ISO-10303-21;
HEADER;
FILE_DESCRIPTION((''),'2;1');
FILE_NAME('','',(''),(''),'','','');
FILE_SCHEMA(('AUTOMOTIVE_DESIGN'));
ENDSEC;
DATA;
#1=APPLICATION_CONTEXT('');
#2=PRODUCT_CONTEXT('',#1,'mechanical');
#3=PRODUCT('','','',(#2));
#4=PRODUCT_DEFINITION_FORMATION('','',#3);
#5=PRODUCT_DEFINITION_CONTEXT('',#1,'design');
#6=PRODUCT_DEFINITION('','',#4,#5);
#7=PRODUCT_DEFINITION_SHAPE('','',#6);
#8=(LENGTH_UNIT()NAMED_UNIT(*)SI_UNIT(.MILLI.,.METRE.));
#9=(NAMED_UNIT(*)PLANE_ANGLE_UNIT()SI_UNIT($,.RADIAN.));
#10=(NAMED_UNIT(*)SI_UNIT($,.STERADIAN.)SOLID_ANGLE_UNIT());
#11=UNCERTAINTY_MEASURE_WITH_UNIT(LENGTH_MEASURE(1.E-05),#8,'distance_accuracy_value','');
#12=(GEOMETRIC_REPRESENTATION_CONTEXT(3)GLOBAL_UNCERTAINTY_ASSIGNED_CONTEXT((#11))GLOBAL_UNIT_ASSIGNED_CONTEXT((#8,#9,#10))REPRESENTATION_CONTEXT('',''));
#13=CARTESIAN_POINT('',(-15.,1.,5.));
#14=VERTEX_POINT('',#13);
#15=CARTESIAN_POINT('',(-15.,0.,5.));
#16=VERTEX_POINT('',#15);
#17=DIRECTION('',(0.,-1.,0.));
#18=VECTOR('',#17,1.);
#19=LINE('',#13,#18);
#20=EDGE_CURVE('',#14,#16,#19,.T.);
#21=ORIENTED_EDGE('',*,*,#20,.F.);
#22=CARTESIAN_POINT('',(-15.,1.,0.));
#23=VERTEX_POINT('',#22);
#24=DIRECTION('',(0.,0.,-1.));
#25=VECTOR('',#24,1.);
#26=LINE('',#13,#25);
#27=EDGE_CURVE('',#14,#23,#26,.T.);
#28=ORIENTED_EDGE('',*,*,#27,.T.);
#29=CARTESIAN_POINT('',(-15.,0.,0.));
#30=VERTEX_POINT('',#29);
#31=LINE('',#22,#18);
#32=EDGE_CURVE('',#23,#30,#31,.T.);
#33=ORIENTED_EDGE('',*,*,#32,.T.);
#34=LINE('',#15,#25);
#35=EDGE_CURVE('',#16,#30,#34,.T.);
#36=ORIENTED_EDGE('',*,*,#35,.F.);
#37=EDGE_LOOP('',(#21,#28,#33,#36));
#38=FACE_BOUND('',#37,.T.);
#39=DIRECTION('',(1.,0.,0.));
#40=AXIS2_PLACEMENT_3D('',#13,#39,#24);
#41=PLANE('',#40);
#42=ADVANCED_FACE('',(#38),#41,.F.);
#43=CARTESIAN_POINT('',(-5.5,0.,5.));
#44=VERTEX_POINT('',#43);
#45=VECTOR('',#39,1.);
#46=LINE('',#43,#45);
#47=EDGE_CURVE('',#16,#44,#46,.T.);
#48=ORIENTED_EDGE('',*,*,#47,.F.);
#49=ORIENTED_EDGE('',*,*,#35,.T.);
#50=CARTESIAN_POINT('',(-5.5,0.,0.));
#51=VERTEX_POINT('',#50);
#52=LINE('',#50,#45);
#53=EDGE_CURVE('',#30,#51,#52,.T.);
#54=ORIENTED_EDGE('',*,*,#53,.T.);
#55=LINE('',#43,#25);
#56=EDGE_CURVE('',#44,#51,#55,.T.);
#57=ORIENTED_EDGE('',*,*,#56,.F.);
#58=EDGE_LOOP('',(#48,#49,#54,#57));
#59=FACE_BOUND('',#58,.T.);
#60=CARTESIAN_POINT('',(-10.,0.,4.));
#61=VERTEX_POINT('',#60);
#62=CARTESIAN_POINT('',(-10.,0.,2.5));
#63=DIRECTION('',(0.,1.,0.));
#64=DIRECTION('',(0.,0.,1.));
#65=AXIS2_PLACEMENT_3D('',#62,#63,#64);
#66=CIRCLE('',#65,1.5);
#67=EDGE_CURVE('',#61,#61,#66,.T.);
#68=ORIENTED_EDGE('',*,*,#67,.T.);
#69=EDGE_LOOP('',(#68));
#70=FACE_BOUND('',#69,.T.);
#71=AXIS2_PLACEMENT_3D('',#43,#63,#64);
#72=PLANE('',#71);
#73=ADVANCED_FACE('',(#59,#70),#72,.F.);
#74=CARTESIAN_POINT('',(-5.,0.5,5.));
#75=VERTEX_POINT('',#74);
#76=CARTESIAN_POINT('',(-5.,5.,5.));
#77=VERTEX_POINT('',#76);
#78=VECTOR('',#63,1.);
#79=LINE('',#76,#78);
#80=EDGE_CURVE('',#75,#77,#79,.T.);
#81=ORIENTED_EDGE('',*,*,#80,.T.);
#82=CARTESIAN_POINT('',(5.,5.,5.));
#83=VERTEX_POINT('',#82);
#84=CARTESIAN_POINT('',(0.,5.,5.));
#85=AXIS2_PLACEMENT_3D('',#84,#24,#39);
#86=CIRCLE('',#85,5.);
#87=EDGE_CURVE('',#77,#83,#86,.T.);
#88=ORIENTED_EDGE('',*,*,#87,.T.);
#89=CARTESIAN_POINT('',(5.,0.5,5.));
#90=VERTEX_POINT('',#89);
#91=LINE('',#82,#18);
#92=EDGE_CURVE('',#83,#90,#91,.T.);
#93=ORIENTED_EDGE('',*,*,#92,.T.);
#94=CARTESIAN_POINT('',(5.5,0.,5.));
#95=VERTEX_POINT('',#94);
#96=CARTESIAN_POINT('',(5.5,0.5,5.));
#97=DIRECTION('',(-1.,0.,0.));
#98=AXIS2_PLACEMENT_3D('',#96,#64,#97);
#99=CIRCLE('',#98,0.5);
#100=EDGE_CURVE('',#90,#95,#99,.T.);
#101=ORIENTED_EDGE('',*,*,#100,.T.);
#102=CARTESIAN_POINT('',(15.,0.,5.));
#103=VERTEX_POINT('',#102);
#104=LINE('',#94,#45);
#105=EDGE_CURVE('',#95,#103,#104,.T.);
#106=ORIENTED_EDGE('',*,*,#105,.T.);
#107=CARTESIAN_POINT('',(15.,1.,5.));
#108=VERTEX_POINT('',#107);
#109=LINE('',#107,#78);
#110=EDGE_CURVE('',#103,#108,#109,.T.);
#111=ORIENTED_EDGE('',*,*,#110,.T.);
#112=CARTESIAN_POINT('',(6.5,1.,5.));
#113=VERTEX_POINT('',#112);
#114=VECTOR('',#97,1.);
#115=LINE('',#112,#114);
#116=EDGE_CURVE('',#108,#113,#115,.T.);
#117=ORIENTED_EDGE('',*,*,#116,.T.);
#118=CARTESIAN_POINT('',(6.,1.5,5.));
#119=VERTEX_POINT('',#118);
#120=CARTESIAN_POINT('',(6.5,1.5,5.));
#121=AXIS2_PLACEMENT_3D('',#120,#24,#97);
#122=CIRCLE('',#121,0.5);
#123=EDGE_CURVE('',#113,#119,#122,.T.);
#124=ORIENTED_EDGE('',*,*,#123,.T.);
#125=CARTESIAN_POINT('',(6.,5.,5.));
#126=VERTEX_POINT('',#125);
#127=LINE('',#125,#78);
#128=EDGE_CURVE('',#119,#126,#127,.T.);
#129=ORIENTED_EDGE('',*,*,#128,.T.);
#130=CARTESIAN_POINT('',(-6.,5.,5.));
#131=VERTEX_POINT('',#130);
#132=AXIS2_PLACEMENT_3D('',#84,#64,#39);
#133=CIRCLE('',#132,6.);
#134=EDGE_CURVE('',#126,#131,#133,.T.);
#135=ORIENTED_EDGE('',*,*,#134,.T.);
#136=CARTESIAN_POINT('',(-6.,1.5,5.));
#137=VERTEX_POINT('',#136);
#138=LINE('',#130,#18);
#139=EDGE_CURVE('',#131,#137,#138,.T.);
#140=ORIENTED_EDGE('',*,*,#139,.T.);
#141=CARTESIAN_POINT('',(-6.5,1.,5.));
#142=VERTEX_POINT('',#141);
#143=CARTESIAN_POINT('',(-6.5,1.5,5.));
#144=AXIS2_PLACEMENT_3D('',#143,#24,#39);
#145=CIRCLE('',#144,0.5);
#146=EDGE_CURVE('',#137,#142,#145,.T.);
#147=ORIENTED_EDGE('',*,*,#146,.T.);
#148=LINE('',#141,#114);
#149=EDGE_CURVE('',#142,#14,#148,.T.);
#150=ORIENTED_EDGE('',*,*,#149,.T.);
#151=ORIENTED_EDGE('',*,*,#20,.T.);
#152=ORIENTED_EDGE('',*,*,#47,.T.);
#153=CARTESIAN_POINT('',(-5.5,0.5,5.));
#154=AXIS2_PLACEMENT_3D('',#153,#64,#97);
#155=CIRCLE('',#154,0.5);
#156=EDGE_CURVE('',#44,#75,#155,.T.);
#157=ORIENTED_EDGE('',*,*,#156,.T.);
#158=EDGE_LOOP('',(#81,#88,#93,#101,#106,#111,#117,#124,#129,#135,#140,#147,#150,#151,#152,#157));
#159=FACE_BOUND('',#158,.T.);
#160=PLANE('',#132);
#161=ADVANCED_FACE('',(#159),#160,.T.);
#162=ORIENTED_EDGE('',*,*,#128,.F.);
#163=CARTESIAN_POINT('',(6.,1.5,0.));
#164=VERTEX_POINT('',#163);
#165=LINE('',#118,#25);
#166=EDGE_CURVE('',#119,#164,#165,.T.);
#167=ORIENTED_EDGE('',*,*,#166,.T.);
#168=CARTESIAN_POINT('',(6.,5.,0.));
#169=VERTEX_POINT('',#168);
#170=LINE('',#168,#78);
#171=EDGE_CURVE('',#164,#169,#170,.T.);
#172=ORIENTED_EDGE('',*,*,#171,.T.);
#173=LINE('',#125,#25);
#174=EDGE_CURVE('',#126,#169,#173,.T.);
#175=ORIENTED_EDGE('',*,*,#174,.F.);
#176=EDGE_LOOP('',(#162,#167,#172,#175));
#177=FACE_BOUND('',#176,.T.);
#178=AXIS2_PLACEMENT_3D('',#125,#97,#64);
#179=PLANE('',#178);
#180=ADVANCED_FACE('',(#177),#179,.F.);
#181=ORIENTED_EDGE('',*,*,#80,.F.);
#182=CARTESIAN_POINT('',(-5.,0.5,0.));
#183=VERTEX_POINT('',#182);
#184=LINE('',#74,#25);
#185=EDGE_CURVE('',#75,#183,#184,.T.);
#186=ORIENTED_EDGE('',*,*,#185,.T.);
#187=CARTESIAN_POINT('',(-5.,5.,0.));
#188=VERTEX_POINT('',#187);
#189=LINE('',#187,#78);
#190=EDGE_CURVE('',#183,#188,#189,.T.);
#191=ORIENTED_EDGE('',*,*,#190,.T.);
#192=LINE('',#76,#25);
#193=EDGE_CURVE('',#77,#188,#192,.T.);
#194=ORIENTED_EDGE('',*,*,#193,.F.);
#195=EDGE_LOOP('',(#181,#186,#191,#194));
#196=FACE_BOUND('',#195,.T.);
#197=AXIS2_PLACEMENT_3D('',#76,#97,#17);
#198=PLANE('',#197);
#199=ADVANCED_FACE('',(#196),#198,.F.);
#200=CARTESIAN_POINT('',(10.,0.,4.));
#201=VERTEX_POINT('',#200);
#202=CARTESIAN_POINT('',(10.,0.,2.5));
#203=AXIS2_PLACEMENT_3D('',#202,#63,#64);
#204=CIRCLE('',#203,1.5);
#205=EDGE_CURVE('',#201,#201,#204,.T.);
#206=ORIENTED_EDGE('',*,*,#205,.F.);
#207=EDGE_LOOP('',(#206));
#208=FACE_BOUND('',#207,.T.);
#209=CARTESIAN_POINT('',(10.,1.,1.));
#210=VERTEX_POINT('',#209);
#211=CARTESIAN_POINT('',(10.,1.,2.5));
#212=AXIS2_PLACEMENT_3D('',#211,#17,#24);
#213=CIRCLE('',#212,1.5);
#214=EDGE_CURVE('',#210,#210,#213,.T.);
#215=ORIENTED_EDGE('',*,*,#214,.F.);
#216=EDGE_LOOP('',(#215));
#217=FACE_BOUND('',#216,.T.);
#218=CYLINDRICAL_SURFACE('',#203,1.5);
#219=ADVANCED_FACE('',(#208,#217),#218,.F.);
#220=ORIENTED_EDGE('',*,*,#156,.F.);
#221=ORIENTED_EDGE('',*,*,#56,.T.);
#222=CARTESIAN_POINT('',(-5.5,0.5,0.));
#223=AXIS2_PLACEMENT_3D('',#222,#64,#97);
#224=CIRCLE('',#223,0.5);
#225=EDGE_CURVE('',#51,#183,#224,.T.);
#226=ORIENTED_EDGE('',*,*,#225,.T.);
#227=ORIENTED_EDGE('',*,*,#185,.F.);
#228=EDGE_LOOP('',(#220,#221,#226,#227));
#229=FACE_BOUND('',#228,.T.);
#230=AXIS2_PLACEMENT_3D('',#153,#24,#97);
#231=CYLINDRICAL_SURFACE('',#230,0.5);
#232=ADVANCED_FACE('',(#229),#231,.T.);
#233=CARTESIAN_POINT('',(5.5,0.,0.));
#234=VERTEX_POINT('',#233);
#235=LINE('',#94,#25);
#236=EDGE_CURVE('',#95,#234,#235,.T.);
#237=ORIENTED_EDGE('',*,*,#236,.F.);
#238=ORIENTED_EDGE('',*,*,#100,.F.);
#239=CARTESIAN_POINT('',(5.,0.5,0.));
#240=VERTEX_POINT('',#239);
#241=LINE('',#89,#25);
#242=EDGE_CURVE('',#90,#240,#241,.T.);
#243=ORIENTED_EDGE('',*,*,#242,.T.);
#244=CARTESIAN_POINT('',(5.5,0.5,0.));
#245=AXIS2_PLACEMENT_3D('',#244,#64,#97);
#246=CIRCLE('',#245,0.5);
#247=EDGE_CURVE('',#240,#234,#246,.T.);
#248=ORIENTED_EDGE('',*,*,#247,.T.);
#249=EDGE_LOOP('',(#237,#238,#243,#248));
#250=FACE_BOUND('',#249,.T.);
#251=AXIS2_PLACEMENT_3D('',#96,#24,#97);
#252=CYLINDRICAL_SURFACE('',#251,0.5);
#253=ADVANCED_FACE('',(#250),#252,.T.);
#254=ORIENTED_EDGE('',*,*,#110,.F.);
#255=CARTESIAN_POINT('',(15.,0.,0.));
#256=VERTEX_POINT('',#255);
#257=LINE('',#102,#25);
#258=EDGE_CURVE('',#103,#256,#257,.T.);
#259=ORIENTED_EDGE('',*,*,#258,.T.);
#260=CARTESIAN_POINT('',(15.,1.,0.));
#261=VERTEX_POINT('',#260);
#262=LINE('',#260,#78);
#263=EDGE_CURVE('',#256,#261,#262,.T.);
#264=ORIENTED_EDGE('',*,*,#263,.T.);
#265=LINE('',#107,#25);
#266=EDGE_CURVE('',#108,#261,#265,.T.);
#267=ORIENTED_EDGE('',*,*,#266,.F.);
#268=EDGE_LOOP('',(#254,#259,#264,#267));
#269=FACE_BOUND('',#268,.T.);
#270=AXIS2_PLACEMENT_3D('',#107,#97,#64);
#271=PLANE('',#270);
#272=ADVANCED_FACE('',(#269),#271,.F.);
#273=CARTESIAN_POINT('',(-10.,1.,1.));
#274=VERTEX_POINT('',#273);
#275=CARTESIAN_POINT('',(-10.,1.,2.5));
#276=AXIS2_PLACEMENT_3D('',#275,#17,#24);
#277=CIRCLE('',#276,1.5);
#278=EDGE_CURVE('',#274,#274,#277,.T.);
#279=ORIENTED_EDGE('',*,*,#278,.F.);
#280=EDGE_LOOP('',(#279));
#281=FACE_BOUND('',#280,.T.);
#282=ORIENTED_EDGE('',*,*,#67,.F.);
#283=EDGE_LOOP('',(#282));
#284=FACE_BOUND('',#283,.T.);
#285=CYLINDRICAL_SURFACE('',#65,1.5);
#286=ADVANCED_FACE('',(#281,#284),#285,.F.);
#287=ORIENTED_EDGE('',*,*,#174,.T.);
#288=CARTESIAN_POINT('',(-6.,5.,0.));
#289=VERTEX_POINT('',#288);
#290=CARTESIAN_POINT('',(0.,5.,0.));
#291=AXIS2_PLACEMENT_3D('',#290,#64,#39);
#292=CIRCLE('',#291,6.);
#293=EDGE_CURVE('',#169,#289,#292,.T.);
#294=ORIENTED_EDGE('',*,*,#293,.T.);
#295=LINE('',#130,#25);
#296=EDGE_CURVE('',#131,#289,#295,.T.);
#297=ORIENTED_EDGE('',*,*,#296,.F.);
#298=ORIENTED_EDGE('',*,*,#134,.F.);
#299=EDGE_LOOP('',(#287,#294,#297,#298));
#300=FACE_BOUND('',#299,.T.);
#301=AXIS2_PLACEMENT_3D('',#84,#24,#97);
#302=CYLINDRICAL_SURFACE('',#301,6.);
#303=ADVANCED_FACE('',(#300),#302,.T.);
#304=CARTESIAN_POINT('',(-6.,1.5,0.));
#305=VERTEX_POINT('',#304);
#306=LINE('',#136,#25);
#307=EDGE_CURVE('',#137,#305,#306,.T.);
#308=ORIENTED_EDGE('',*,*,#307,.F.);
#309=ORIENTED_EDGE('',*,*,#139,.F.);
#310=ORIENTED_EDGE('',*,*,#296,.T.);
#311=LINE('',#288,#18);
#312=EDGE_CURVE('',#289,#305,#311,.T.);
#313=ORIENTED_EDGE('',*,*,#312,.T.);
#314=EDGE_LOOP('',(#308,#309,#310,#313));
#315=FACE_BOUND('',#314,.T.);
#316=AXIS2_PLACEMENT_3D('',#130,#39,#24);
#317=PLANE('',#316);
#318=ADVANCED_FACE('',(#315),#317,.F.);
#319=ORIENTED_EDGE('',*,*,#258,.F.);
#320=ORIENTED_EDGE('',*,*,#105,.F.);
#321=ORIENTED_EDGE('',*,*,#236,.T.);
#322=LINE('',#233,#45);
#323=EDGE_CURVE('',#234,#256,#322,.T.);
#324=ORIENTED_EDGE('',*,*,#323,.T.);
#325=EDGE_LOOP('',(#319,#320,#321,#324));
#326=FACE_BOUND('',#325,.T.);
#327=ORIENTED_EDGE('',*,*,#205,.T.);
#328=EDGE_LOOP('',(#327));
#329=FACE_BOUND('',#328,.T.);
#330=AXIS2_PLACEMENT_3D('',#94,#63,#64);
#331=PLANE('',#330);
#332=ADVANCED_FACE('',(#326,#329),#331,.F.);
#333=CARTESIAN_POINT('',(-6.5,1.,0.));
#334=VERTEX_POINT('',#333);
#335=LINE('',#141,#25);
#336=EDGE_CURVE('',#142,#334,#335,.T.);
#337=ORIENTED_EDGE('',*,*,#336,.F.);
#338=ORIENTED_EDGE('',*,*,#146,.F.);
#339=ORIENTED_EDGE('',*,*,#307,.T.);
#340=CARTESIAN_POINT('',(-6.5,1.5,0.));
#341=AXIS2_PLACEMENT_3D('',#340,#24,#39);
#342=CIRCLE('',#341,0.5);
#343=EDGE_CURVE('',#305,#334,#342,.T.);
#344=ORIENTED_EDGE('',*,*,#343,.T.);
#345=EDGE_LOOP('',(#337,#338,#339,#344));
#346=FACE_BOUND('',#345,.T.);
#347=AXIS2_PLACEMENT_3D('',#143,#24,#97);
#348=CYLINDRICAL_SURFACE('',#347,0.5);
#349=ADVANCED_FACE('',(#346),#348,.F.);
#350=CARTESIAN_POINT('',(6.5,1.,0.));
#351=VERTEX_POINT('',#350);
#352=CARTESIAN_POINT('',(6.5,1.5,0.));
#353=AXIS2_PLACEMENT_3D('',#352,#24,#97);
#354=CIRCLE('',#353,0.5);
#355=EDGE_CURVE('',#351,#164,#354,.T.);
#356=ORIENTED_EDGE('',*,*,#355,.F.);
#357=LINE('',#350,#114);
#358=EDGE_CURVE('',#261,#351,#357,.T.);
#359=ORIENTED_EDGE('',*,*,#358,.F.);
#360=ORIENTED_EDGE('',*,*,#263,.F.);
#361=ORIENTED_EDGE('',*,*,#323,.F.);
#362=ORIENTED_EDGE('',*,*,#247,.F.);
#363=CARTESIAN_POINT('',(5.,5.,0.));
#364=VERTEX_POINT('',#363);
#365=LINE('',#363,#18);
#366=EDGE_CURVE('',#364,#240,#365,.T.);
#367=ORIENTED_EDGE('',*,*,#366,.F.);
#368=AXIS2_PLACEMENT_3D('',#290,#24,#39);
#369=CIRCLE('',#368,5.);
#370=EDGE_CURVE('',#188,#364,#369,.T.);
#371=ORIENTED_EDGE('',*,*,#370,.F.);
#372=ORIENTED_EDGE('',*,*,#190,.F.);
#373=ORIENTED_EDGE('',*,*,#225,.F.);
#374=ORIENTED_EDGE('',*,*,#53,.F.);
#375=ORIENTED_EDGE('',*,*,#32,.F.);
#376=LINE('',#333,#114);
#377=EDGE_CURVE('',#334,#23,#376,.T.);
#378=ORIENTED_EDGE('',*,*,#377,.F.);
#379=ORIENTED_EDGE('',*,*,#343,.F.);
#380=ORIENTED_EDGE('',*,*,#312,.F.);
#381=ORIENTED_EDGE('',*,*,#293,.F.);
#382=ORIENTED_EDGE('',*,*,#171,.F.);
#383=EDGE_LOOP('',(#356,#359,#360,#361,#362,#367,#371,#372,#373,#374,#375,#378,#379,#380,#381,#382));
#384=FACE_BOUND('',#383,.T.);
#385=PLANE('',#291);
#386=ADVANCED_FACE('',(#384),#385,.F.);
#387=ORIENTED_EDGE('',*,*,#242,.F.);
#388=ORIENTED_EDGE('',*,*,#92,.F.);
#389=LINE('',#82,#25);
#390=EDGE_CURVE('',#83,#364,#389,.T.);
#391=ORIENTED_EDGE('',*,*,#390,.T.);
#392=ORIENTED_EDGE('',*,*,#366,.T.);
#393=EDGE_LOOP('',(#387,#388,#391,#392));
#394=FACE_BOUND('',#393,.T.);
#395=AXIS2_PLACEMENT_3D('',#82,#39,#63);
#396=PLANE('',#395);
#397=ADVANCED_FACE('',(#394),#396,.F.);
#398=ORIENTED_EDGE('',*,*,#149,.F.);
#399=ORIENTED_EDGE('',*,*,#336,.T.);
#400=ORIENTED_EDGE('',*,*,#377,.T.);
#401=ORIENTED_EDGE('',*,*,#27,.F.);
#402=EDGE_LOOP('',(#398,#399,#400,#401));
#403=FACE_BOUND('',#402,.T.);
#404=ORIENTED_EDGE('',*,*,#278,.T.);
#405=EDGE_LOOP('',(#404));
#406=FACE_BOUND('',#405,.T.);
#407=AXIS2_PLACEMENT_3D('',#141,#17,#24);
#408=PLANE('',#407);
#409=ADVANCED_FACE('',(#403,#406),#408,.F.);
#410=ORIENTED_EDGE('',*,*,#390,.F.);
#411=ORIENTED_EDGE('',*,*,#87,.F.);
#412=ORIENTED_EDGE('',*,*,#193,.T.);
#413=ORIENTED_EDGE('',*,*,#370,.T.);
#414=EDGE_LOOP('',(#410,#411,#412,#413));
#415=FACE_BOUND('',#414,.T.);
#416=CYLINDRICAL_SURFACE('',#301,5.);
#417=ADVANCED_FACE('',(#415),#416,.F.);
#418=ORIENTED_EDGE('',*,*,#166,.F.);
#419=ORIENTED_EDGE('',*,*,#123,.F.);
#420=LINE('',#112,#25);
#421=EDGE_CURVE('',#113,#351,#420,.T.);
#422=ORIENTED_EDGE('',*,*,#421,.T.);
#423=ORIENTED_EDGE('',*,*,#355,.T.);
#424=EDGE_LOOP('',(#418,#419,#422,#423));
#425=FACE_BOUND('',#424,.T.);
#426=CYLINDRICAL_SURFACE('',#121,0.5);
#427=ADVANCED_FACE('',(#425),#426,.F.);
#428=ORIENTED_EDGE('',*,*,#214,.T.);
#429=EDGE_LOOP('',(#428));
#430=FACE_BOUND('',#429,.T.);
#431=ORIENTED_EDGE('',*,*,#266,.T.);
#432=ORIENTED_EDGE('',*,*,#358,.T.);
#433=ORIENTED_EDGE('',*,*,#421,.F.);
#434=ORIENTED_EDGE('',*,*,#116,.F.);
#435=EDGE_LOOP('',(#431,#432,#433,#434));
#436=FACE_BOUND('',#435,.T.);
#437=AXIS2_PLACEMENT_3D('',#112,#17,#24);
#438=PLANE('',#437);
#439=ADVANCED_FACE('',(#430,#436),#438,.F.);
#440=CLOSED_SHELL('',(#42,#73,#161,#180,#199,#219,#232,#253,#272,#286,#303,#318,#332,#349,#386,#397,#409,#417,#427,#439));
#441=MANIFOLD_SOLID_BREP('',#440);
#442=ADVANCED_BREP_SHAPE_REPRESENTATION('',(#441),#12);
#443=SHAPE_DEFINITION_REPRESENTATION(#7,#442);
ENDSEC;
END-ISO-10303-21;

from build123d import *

# Parameters (mm, degrees)
EXTRUDE_1_DEPTH          = 5
CUT_EXTRUDE_1_DEPTH      = 19.708286934
CUT_EXTRUDE_1_DEPTH_BACK = 19.708286934
SKETCH_2_R               = 1.5


with BuildPart() as part:
    # 草图1 → 凸台-拉伸1 (new body)
    with BuildSketch(Plane.XY):
        with BuildLine():
            Line((-5, 5), (-5, 0.5))
            ThreePointArc((-5, 0.5), (-5.146446609, 0.146446609), (-5.5, 0))
            Line((-5.5, 0), (-15, 0))
            Line((-15, 0), (-15, 1))
            Line((-15, 1), (-6.5, 1))
            ThreePointArc((-6.5, 1), (-6.146446609, 1.146446609), (-6, 1.5))
            Line((-6, 1.5), (-6, 5))
            ThreePointArc((-6, 5), (0, 11), (6, 5))
            Line((6, 5), (6, 1.5))
            ThreePointArc((6, 1.5), (6.146446609, 1.146446609), (6.5, 1))
            Line((6.5, 1), (15, 1))
            Line((15, 1), (15, 0))
            Line((15, 0), (5.5, 0))
            ThreePointArc((5.5, 0), (5.146446609, 0.146446609), (5, 0.5))
            Line((5, 0.5), (5, 5))
            ThreePointArc((5, 5), (0, 10), (-5, 5))
        make_face()
    extrude(amount=EXTRUDE_1_DEPTH)

    # 草图2 → 切除-拉伸1 (cut, two sides: drawn at the far end of the back side and taken through both)
    with BuildSketch(Plane(origin=(0, 1, 0), x_dir=(1, 0, 0), z_dir=(0, 1, 0)).offset(-CUT_EXTRUDE_1_DEPTH_BACK)):
        with Locations(Location((-10, -2.5, 0), (0, 0, 270))):
            Circle(SKETCH_2_R)
        with Locations(Location((10, -2.5, 0), (0, 0, 270))):
            Circle(SKETCH_2_R)
    extrude(amount=CUT_EXTRUDE_1_DEPTH + CUT_EXTRUDE_1_DEPTH_BACK, mode=Mode.SUBTRACT)


solid = part.part
